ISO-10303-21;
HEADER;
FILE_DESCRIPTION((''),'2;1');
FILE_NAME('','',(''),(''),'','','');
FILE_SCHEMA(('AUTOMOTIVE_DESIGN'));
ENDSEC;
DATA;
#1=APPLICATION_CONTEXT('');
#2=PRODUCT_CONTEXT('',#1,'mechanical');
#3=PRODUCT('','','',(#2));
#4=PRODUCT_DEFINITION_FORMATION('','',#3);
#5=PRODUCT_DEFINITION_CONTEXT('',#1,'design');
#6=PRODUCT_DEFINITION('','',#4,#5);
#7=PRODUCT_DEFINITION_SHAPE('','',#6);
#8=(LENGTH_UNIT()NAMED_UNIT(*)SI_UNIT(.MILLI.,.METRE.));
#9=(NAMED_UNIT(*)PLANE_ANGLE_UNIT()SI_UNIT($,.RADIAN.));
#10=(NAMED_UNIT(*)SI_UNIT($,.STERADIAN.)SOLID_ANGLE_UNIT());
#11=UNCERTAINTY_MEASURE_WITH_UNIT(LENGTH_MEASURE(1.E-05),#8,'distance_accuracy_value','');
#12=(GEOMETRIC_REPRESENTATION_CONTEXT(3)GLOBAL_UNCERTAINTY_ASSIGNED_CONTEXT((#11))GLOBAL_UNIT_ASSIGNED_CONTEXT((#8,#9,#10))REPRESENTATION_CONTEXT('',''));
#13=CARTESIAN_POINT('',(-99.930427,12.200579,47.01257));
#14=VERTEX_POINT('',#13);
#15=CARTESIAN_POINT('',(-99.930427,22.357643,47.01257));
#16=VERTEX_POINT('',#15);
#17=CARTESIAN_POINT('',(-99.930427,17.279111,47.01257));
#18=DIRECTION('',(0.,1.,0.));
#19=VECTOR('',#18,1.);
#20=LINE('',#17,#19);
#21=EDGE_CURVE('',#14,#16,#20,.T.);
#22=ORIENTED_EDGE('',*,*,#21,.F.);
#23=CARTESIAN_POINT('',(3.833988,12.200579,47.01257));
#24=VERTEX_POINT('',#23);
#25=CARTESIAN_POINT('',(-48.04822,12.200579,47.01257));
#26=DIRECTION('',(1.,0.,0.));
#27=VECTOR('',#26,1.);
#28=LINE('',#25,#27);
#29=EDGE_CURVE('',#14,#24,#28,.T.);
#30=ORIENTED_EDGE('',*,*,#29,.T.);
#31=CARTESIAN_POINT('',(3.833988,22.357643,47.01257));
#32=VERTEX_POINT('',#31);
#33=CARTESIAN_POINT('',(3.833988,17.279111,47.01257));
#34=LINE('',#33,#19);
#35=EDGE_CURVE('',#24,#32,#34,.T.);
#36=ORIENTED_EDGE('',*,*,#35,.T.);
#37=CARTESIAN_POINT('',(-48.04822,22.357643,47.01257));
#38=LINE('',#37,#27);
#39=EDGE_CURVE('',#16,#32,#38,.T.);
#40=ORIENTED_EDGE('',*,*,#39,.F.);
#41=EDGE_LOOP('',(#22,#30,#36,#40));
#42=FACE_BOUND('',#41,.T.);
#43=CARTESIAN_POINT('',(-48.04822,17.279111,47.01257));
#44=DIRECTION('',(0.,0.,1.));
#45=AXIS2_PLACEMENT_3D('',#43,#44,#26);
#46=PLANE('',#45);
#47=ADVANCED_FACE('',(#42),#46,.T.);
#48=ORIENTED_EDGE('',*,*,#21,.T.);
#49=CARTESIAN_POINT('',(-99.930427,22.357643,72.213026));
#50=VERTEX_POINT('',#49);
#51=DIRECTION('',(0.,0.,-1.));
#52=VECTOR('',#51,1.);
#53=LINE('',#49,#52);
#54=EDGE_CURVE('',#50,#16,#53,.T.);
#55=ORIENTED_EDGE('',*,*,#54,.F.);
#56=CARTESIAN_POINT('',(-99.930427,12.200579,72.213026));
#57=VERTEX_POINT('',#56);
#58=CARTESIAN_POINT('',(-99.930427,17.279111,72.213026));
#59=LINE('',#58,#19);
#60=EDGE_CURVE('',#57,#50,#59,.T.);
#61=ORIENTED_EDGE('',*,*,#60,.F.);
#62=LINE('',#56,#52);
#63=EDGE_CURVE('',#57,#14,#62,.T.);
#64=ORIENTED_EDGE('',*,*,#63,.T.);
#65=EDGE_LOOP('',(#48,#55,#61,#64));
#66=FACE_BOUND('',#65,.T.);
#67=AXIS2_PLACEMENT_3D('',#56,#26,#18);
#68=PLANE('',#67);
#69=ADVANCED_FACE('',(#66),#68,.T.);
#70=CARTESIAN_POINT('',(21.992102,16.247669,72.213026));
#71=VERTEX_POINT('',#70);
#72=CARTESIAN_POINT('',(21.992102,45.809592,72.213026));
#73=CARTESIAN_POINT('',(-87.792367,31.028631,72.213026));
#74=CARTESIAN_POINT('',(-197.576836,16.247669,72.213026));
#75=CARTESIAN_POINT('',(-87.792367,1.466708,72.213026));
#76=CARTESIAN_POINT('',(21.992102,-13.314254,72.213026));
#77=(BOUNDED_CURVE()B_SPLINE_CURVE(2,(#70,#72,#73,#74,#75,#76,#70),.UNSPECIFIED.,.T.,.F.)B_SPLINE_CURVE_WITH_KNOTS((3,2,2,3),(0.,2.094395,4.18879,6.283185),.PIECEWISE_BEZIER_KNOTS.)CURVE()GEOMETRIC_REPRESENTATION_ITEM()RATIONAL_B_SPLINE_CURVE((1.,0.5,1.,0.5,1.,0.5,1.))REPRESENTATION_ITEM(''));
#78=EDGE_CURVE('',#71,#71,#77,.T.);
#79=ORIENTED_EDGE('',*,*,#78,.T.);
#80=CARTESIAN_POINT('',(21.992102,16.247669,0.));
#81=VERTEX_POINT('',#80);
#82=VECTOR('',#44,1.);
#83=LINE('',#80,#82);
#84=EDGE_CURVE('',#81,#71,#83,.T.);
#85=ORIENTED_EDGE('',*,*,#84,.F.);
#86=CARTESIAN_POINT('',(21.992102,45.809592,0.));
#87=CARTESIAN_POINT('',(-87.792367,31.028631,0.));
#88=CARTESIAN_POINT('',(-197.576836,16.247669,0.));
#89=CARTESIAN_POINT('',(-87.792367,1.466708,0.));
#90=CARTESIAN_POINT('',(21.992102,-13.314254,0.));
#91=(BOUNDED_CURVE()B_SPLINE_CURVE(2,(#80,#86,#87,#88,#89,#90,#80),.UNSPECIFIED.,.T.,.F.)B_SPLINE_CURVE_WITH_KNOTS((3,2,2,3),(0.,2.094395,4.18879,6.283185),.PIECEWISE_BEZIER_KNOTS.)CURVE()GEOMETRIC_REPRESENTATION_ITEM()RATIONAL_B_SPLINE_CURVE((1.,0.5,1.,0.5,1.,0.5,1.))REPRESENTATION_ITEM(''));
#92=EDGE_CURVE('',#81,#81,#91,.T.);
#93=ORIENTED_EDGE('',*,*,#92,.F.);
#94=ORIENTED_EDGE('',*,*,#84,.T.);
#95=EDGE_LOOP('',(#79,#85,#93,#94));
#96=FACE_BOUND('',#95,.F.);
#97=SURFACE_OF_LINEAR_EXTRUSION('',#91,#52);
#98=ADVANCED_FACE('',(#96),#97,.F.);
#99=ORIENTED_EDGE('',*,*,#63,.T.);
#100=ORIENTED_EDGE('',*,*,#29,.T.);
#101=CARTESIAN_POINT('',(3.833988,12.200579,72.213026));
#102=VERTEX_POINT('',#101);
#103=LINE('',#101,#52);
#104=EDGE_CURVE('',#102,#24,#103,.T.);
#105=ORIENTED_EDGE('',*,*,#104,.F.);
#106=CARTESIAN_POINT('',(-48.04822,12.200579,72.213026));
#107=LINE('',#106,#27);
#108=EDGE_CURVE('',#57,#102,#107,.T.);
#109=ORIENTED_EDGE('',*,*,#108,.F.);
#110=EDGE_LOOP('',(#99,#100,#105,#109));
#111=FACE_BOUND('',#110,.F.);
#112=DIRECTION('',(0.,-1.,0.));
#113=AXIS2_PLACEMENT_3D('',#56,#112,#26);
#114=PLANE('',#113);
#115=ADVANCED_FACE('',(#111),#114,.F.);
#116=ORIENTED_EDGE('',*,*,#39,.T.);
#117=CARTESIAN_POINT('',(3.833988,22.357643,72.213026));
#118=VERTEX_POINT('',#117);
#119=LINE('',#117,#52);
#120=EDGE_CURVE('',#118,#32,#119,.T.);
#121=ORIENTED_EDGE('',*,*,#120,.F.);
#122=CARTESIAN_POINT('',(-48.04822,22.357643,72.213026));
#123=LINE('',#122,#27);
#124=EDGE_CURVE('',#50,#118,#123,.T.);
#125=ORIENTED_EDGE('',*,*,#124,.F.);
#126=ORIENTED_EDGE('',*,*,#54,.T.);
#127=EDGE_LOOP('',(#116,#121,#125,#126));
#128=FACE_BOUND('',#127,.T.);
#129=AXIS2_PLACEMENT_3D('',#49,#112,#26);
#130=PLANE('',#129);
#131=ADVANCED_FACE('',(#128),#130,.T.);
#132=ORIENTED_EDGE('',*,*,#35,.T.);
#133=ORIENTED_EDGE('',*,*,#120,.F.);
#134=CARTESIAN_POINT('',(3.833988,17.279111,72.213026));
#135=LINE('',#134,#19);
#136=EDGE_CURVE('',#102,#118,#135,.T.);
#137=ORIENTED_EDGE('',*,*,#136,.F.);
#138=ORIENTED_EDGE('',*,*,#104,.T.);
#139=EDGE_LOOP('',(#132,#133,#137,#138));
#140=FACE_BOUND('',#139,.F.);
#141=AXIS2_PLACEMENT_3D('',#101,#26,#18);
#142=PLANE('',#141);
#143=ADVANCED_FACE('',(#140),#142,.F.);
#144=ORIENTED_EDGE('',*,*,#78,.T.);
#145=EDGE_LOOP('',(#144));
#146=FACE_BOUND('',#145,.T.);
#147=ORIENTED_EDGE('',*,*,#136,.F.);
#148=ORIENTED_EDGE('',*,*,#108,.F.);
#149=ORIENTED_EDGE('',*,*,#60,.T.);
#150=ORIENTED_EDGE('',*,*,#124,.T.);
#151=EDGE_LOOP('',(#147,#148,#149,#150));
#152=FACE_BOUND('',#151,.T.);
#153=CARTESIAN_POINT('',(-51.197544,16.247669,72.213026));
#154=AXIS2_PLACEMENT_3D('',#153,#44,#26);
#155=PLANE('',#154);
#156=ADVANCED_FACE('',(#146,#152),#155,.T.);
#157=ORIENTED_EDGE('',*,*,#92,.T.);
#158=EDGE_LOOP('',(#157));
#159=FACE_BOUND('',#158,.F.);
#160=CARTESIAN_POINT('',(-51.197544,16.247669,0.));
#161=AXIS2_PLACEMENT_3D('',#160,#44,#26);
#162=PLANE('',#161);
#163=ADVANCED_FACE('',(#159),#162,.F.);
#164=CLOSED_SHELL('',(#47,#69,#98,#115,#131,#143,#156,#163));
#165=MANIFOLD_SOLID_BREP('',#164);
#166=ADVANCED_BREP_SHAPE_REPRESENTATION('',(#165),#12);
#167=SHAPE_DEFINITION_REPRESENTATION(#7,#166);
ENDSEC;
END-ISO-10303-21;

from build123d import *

# Parameters (mm, degrees)
F1_DEPTH = 72.213026
F3_W     = 103.764415
F3_H     = 10.157064
F4_DEPTH = 25.200456


with BuildPart() as f1:
    # F0 (on Top) → F1 (new body)
    with BuildSketch(Plane.XY):
        with BuildLine():
            add(Edge.make_bspline(
                [(21.992102, 16.247669), (21.992102, 45.809592), (-87.792367, 31.028631), (-197.576836, 16.247669), (-87.792367, 1.466708), (21.992102, -13.314254), (21.992102, 16.247669)],
                knots=[0, 0, 0, 2.094395, 2.094395, 4.18879, 4.18879, 6.283185, 6.283185, 6.283185], degree=2, weights=[1, 0.5, 1, 0.5, 1, 0.5, 1]))
        make_face()
    extrude(amount=F1_DEPTH)

    # F3 (on face) → F4 (cut)
    with BuildSketch(Plane.XY.offset(72.213026)):
        with Locations((-48.04822, 17.279111)):
            Rectangle(F3_W, F3_H)
    extrude(amount=-F4_DEPTH, mode=Mode.SUBTRACT)


solid = f1.part
